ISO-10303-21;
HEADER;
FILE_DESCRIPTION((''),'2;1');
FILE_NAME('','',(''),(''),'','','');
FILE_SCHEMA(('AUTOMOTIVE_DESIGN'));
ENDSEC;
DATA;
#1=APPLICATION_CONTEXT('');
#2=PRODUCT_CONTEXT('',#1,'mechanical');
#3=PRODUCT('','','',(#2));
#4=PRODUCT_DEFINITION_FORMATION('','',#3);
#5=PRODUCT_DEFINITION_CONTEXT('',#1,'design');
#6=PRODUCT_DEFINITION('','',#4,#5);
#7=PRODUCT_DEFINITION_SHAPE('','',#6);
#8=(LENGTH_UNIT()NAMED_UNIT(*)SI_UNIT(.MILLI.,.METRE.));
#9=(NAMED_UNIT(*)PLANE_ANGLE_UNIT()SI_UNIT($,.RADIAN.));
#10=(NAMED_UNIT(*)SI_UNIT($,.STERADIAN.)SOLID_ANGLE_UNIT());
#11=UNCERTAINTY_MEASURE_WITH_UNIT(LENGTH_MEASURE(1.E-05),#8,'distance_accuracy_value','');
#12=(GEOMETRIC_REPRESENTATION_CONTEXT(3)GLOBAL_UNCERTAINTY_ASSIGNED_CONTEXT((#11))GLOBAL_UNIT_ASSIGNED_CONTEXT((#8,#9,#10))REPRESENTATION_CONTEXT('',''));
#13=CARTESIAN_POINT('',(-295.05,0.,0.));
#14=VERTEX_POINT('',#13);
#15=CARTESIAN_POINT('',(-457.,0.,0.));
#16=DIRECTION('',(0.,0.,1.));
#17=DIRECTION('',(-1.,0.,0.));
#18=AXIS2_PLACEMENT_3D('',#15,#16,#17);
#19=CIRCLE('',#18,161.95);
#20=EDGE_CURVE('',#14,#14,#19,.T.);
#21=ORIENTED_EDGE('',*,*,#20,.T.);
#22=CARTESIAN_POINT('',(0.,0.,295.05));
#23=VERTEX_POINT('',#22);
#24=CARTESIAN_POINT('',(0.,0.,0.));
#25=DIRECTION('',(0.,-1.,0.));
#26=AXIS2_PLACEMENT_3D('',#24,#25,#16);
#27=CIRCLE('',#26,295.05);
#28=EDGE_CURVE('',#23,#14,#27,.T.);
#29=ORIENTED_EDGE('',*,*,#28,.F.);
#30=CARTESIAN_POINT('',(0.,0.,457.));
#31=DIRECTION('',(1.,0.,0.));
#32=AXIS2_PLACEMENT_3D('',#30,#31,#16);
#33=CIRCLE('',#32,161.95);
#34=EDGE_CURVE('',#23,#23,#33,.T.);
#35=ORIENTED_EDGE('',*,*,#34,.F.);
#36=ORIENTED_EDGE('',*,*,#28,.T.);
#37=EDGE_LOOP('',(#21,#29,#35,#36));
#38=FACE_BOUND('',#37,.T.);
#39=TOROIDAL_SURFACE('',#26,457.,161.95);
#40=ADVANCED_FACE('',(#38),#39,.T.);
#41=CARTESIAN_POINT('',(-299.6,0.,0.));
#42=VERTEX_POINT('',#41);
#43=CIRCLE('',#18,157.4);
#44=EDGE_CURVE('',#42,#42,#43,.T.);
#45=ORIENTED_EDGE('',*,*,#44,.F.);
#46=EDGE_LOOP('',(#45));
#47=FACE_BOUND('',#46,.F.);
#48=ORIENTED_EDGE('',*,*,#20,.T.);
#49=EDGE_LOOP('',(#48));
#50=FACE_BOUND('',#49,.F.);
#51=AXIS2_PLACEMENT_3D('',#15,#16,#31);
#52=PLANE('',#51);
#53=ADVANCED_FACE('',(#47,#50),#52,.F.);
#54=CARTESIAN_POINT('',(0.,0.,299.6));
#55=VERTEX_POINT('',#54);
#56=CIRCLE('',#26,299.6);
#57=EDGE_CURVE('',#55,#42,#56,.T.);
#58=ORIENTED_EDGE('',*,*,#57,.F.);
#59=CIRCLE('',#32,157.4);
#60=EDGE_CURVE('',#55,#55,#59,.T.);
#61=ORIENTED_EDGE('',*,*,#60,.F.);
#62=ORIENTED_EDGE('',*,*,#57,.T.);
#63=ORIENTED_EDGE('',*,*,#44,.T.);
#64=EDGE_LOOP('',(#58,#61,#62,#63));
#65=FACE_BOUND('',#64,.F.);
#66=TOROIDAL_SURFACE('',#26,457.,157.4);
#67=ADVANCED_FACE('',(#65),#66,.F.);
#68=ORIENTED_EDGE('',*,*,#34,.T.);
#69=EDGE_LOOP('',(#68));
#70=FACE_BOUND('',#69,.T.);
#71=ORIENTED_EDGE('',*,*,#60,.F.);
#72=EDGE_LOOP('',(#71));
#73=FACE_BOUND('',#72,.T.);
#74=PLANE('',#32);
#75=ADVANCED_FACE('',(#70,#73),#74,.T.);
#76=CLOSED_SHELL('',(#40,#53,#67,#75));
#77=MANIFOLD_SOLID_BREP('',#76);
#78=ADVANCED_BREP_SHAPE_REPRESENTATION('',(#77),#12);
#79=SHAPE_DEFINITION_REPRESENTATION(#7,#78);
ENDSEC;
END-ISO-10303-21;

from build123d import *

# Parameters (mm, degrees)
F1_R   = 161.95
F1_R_2 = 157.4


with BuildPart() as f2:
    # F2: sweep along a path in F0
    with BuildLine(Plane.XZ) as f2_path:
        ThreePointArc((0, 457), (-323.147799, 323.147799), (-457, 0))
    # F1 (on Top) → F2 (sweep)
    with BuildSketch(Plane.XY):
        with Locations((-457, 0)):
            Circle(F1_R)
        with Locations((-457, 0)):
            Circle(F1_R_2, mode=Mode.SUBTRACT)
    sweep(path=f2_path.line)


solid = f2.part
